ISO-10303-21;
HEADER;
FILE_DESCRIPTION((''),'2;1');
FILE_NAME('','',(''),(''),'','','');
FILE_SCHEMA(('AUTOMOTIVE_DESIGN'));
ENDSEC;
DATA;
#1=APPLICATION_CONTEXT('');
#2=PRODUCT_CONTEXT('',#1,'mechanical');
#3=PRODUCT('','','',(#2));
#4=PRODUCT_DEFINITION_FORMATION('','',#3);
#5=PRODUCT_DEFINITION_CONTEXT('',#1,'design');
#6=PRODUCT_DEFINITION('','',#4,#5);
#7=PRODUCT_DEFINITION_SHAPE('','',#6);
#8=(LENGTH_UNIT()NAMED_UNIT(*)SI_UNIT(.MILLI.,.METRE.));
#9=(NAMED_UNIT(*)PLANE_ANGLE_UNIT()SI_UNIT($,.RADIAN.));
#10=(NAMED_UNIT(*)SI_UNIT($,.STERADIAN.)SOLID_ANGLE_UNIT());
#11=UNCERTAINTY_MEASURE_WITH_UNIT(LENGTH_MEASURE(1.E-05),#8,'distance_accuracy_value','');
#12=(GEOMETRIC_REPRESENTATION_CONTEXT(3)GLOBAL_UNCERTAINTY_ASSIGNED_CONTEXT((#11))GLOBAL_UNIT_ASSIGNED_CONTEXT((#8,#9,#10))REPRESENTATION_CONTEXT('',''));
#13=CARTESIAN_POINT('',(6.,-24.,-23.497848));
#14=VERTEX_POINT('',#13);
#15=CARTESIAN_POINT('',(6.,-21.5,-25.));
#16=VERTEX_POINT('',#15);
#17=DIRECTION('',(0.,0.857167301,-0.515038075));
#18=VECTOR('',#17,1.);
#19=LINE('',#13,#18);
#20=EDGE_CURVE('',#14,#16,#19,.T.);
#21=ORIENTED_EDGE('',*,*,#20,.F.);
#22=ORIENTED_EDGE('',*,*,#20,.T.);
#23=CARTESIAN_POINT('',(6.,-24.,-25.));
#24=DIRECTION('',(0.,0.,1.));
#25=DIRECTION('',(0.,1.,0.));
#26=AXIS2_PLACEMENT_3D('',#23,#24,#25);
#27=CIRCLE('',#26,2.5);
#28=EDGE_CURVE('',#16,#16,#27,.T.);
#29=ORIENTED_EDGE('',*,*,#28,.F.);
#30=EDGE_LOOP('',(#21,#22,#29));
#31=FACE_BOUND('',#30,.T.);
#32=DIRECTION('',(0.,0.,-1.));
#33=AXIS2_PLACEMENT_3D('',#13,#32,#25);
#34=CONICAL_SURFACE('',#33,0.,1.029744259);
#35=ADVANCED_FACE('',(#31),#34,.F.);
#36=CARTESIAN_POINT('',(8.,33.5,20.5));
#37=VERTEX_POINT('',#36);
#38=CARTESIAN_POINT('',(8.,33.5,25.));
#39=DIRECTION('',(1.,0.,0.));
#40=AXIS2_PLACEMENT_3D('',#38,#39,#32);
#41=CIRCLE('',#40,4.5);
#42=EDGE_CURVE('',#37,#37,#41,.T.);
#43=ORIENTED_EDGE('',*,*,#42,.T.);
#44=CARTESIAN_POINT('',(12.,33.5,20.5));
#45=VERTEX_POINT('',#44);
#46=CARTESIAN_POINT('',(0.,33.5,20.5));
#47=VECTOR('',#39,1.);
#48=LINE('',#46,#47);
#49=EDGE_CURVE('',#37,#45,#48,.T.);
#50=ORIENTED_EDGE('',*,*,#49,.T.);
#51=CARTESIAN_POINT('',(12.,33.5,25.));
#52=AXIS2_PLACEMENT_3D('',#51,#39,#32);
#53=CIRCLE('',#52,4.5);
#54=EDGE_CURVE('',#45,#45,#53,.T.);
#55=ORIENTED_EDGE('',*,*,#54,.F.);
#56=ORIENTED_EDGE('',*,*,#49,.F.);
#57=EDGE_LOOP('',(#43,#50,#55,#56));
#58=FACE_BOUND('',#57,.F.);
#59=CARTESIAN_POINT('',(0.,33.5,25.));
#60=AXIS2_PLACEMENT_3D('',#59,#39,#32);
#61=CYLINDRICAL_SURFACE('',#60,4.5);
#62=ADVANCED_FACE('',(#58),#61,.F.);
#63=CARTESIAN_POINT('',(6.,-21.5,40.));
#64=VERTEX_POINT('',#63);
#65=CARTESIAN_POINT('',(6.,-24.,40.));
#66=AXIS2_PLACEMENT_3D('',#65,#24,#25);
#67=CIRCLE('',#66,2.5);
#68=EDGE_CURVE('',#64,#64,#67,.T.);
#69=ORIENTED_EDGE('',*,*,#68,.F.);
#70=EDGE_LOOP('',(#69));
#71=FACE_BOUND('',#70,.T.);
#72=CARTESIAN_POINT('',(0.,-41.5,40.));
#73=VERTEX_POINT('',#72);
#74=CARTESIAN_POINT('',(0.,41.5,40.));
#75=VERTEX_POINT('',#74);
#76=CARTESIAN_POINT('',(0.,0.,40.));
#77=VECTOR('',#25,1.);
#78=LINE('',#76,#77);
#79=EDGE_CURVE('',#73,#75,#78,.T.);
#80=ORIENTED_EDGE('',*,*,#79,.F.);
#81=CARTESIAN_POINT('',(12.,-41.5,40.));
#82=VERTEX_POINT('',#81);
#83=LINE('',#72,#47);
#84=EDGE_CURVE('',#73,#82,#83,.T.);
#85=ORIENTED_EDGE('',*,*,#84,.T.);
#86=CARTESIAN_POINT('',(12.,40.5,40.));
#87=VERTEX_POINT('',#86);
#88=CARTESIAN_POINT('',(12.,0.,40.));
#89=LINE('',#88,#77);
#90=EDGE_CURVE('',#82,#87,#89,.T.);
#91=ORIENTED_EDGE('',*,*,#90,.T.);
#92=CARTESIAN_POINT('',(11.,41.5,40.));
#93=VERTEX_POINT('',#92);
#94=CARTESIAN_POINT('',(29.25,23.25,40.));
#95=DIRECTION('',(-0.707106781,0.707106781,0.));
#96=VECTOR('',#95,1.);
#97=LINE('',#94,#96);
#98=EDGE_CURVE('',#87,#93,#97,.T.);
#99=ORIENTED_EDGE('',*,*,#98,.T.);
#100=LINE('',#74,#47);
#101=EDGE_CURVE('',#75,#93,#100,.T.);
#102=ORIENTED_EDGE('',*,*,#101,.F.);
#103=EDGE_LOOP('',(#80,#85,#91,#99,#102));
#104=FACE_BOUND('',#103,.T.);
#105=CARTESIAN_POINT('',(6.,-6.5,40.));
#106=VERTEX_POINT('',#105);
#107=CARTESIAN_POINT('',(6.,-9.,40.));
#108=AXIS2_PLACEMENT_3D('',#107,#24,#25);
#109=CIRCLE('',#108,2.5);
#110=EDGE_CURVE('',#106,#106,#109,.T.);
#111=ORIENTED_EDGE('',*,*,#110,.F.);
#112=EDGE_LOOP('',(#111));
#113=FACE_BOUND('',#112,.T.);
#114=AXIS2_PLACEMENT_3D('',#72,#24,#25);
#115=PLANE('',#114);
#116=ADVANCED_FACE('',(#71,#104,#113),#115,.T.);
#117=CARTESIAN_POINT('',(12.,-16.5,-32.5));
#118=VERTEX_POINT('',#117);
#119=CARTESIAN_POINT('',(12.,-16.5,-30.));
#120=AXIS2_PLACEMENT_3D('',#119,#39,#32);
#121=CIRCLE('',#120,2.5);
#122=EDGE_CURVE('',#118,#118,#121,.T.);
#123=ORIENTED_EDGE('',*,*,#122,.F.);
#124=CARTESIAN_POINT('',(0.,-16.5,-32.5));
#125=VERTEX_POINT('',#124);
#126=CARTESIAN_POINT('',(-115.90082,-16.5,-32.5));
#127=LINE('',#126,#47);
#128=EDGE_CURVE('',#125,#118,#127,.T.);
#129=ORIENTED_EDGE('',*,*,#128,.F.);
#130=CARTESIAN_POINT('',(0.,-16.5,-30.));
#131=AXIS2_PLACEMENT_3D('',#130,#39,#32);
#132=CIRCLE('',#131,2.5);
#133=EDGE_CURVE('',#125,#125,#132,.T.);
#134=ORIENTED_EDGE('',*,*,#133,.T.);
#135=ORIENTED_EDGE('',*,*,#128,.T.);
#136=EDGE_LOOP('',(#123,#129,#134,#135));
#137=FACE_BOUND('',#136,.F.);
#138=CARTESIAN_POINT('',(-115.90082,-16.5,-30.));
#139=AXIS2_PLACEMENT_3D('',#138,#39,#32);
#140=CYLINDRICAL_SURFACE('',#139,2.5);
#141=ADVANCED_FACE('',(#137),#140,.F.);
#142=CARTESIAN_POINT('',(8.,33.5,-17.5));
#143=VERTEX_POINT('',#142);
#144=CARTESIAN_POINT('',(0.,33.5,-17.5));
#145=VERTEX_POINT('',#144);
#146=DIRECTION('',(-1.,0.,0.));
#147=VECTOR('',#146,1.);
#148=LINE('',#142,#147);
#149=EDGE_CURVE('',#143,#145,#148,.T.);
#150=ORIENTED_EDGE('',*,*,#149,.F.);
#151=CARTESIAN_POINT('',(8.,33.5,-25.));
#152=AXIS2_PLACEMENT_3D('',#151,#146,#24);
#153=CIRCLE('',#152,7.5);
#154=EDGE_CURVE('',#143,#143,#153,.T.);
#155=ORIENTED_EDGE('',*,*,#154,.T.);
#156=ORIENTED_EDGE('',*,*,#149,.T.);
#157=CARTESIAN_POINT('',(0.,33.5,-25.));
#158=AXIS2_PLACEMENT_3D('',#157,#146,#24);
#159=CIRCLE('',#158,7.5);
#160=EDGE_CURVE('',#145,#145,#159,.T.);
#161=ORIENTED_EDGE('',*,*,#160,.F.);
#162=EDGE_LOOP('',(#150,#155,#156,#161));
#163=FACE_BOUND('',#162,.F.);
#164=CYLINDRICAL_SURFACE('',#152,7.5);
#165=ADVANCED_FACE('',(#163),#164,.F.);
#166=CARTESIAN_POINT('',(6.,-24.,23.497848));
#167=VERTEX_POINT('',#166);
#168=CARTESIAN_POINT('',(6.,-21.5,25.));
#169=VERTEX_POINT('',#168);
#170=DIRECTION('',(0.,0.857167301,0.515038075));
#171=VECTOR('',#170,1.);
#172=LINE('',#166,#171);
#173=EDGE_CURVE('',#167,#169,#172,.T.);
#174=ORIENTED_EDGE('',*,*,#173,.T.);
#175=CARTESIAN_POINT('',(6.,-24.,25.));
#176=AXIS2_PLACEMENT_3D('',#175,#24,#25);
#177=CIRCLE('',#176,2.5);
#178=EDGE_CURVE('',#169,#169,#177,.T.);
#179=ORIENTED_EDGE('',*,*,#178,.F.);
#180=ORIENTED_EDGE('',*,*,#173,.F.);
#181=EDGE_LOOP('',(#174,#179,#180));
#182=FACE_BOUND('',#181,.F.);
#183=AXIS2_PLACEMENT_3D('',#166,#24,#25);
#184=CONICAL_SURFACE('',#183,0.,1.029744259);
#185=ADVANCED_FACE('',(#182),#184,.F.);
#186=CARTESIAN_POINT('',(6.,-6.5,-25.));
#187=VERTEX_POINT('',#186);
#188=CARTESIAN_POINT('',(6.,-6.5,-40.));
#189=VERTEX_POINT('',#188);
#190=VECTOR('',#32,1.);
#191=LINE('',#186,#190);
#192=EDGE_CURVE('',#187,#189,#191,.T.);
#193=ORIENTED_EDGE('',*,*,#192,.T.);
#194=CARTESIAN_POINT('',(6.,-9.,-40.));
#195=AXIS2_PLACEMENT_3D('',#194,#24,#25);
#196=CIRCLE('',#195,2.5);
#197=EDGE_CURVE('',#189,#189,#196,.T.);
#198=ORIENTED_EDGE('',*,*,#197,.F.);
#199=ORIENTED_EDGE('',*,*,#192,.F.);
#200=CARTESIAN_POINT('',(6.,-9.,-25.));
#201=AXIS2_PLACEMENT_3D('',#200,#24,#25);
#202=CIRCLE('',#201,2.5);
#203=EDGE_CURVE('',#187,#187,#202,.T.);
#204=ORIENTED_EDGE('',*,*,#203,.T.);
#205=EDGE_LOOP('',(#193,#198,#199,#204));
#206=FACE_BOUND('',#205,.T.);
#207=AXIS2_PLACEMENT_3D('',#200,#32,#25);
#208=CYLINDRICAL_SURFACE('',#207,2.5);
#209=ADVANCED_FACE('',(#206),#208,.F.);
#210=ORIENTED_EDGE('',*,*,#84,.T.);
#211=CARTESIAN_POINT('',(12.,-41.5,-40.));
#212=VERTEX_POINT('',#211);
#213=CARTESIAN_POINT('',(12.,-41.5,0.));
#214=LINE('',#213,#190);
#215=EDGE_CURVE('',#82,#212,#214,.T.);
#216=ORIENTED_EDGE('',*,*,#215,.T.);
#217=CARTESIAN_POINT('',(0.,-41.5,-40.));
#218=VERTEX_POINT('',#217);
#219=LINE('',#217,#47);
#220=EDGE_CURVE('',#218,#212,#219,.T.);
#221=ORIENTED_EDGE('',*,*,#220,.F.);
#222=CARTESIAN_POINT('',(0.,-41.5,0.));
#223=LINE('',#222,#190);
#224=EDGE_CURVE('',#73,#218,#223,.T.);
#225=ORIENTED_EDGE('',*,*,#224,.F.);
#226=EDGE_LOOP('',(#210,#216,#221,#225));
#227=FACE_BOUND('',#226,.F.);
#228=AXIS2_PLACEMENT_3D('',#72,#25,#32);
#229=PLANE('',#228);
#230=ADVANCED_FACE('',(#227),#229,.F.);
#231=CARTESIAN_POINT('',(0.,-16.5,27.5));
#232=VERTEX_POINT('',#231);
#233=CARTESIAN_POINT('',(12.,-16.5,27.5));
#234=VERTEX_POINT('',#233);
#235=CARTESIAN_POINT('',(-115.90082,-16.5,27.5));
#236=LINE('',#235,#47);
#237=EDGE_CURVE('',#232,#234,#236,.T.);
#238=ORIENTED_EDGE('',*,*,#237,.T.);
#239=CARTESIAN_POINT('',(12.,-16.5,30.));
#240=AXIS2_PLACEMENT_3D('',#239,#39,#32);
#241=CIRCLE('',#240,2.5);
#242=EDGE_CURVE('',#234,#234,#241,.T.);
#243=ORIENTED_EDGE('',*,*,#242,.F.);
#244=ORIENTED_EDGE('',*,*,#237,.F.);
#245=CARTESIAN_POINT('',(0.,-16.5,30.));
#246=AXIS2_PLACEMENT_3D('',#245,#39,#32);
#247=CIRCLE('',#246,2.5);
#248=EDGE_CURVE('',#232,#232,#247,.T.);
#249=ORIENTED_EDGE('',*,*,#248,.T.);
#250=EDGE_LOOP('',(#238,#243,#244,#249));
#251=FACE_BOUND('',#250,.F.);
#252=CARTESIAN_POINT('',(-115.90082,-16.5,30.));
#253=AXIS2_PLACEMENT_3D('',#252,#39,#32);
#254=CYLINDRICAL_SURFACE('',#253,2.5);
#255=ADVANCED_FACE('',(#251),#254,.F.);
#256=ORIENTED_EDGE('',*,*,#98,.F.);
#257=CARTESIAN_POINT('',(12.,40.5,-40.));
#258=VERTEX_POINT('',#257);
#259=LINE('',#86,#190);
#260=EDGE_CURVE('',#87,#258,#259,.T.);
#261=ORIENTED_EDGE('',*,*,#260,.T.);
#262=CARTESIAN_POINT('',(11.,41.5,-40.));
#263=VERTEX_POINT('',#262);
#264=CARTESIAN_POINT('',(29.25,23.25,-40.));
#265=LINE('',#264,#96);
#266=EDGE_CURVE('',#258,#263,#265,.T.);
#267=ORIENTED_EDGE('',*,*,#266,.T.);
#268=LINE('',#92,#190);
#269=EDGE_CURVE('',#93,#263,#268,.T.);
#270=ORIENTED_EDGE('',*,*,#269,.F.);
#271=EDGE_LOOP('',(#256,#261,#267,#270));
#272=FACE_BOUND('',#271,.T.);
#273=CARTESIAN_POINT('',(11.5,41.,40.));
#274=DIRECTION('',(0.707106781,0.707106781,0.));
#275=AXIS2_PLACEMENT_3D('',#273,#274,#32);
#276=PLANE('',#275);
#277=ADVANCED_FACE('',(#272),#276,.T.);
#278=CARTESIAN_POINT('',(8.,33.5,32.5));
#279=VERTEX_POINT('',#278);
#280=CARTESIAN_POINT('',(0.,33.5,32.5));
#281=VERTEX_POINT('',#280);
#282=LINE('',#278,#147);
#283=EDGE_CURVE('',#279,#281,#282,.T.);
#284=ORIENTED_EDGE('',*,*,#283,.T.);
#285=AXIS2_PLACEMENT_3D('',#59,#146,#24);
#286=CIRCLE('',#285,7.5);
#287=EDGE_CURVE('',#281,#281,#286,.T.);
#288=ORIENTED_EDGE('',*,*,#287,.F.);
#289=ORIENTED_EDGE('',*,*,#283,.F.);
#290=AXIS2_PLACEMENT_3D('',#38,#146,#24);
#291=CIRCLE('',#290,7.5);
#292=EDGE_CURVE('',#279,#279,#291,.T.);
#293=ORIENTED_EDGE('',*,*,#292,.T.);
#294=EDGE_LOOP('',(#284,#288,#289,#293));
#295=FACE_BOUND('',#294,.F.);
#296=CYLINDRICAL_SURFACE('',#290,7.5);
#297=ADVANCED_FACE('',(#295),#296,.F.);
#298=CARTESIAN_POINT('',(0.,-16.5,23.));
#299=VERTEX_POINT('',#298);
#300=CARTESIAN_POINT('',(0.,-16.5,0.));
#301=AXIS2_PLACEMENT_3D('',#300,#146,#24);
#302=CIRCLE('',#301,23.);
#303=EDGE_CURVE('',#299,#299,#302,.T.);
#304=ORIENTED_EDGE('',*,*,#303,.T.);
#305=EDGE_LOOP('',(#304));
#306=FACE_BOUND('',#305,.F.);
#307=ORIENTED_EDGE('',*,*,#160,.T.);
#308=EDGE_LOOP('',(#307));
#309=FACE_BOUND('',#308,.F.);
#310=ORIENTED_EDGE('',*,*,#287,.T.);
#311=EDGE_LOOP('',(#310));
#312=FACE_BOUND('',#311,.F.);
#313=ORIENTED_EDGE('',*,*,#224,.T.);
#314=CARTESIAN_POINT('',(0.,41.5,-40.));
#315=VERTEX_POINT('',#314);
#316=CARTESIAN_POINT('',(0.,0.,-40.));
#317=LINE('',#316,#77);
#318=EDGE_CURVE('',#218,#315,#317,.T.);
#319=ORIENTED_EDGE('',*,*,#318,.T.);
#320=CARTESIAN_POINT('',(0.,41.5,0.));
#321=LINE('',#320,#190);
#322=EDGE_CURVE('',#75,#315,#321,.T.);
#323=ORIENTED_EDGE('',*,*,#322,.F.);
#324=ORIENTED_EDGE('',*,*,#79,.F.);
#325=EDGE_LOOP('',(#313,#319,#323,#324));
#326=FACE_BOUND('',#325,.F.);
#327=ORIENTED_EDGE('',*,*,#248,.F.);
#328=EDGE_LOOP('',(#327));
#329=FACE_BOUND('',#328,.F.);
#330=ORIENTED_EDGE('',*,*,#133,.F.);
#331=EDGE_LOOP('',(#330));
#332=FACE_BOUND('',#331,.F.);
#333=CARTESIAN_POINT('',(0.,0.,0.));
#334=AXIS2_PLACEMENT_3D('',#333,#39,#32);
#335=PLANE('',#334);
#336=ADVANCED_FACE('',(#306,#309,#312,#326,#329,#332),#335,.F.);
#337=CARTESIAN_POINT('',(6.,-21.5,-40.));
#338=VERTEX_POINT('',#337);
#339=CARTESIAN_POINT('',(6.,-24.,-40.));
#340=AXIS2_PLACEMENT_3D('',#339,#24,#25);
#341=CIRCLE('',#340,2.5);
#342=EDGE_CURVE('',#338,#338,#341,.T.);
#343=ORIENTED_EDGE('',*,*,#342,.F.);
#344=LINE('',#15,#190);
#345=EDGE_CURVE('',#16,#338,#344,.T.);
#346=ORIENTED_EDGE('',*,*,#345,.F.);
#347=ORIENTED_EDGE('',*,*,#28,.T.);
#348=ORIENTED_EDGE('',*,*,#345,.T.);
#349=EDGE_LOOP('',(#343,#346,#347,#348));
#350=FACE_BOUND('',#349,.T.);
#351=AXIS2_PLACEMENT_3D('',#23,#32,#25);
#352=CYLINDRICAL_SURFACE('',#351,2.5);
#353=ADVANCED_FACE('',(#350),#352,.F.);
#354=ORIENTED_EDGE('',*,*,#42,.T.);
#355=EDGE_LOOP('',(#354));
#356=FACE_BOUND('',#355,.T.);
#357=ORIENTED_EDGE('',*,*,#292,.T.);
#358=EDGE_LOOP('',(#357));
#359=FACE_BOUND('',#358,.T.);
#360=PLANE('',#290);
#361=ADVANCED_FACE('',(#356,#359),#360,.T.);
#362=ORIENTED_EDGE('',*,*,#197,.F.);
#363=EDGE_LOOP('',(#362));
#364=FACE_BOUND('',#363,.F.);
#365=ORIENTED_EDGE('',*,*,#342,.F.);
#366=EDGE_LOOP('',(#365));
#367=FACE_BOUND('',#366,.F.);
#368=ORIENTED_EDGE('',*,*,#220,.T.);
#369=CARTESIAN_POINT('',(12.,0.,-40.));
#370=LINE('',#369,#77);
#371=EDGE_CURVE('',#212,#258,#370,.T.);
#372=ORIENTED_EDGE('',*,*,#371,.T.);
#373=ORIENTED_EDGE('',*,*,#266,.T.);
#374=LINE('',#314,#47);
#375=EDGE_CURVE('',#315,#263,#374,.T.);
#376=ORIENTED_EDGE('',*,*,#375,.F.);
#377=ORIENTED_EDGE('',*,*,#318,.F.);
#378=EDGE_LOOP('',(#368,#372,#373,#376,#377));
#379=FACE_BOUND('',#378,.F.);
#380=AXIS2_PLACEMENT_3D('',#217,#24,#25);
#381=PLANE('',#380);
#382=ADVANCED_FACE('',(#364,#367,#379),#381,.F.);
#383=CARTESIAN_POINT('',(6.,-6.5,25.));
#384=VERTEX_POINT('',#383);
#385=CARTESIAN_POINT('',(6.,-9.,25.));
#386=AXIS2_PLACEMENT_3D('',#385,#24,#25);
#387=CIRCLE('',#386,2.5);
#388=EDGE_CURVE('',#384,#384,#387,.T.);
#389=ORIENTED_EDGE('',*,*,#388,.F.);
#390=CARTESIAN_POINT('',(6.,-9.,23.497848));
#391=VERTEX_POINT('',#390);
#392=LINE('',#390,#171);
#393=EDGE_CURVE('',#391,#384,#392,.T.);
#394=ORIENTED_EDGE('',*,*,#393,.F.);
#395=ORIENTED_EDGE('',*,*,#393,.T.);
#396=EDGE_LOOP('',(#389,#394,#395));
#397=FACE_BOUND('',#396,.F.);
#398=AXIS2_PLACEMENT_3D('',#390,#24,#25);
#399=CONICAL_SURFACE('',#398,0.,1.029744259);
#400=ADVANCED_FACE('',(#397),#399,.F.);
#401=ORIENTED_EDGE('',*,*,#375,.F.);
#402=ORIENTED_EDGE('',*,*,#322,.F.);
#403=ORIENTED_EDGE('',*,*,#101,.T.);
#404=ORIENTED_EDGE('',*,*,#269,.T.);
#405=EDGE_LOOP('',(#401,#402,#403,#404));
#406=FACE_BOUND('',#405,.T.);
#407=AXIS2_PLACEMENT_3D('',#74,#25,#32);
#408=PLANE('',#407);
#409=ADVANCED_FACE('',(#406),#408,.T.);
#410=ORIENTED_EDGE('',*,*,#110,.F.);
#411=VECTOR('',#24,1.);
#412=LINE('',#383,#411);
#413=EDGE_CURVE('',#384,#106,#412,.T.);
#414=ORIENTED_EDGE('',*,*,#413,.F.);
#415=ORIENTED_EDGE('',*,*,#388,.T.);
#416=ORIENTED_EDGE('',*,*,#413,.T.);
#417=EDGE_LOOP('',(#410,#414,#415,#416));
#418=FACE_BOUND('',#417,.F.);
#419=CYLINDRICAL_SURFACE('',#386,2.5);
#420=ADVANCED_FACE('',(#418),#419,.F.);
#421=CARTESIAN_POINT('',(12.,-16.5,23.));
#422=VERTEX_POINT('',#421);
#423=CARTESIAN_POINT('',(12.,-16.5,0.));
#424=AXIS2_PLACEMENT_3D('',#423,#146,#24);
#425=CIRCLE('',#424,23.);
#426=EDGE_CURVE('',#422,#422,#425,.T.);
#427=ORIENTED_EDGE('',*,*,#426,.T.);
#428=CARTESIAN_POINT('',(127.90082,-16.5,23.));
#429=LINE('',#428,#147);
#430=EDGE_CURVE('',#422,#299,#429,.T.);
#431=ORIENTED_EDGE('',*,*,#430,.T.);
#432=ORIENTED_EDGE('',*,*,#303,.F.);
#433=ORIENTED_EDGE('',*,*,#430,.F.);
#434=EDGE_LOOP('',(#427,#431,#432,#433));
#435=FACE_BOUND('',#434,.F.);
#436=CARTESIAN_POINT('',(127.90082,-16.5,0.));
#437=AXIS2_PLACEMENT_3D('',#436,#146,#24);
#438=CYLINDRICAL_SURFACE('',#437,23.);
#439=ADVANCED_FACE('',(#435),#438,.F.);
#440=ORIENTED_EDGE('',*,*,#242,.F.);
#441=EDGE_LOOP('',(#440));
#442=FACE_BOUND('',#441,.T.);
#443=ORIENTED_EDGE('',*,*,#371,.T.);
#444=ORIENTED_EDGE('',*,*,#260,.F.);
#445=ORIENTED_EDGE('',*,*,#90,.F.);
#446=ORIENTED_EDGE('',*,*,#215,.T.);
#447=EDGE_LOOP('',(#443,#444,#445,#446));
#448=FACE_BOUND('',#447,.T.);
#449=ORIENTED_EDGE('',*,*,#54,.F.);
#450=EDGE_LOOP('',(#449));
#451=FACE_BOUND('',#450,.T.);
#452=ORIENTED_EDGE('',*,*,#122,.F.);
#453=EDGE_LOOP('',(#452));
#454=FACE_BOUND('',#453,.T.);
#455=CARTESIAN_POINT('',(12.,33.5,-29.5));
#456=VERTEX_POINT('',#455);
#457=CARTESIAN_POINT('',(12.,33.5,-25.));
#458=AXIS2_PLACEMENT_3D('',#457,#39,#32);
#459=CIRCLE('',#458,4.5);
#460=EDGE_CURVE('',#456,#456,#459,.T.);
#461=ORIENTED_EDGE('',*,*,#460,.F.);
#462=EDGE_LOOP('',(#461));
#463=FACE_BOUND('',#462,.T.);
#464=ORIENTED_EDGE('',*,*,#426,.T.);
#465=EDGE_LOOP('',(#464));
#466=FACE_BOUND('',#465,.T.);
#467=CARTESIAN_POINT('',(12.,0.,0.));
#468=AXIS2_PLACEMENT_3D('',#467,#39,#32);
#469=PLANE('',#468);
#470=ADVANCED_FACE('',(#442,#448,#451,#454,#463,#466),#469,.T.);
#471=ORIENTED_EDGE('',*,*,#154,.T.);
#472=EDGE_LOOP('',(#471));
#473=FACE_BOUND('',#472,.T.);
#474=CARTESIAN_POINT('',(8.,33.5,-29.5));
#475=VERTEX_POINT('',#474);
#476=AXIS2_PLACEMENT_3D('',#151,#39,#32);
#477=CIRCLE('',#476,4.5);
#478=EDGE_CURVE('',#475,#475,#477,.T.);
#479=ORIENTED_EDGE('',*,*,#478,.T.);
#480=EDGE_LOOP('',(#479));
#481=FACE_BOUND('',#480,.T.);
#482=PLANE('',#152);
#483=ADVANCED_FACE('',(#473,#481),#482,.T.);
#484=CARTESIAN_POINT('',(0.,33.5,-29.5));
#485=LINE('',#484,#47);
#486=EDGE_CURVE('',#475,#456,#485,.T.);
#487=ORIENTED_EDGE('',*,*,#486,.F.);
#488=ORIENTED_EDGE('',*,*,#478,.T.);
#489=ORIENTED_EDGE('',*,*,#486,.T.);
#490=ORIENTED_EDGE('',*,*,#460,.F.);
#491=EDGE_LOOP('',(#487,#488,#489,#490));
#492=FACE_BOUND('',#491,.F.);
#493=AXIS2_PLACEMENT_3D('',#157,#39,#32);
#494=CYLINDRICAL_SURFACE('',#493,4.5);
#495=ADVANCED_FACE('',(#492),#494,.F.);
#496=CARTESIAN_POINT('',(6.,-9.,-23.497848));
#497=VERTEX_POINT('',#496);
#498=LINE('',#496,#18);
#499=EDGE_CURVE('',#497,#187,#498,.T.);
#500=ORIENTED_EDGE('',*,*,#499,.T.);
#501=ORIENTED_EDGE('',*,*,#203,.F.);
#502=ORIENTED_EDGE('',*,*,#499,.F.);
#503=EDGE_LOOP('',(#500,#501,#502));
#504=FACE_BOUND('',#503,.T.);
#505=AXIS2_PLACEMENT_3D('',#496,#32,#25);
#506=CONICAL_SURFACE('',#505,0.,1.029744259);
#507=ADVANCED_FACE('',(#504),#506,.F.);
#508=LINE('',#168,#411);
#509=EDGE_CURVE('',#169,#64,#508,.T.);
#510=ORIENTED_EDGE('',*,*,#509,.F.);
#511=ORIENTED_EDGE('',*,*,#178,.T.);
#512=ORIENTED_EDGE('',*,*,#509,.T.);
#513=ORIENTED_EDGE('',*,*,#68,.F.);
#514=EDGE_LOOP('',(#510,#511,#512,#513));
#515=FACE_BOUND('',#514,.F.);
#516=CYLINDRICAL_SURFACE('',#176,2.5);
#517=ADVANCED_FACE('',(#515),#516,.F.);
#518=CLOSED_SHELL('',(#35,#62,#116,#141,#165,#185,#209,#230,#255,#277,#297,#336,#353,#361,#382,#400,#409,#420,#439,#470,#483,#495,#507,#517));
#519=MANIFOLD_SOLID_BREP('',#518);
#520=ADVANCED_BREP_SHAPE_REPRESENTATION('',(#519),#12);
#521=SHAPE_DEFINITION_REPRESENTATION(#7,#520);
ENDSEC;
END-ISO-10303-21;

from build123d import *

# Parameters (mm, degrees)
SKETCH_1_W                  = 80
SKETCH_1_H                  = 83
EXTRUDE_1_DEPTH             = 12
HOLE_WIZARD_1_D             = 9
HOLE_WIZARD_1_CBORE_D       = 15
HOLE_WIZARD_1_CBORE_DEPTH   = 8
HOLE_WIZARD_1_2_D           = 46
HOLE_WIZARD_M6_2_D          = 5
HOLE_WIZARD_M6_1_AT_2_COUNT = 2
HOLE_WIZARD_M6_1_AT_2_PITCH = 15
CHAMFER_1_SIZE              = 1


with BuildPart() as part:
    # 草图1 → 凸台-拉伸1 (new body)
    with BuildSketch(Plane(origin=(0, 0, 0), x_dir=(0, 0, -1), z_dir=(1, 0, 0))):
        Rectangle(SKETCH_1_W, SKETCH_1_H)
    extrude(amount=EXTRUDE_1_DEPTH)

    # Hole Wizard 1 (through all)
    with Locations(Plane.ZY):
        with Locations((-25, 33.5), (25, 33.5)):
            CounterBoreHole(HOLE_WIZARD_1_D / 2, HOLE_WIZARD_1_CBORE_D / 2, HOLE_WIZARD_1_CBORE_DEPTH)

    # Hole Wizard 1 2 (through all)
    with Locations(Plane(origin=(12, 0, 0), x_dir=(0, 0, -1), z_dir=(1, 0, 0))):
        with Locations((0, -16.5)):
            Hole(HOLE_WIZARD_1_2_D / 2)

    # M6 螺纹孔2 (through all)
    with Locations(Plane.ZY):
        with Locations((-30, -16.5), (30, -16.5)):
            Hole(HOLE_WIZARD_M6_2_D / 2)

    # 草图8 → M6 螺纹孔1 (revolve, cut)
    with BuildSketch(Plane(origin=(6, -9, -40), x_dir=(0, 1, 0), z_dir=(1, 0, 0))):
        Polygon((0, 0), (0, 16.502151548), (2.5, 15), (2.5, 0), align=None)
    hole_wizard_m6_1 = revolve(axis=Axis((6, -9, -46.35), (0, 0, 1)), mode=Mode.SUBTRACT)

    # M6 螺纹孔1 at 2: M6 螺纹孔1 ×2
    with Locations(*[(0, -i * HOLE_WIZARD_M6_1_AT_2_PITCH, 0) for i in range(1, HOLE_WIZARD_M6_1_AT_2_COUNT)]):
        add(hole_wizard_m6_1, mode=Mode.SUBTRACT)

    # 镜向1: M6 螺纹孔1 across plane
    add(hole_wizard_m6_1.mirror(Plane.XY), mode=Mode.SUBTRACT)

    # 镜向1 copy 1 sketch → 镜向1 copy 1 (revolve, cut)
    with BuildSketch(Plane(origin=(6, -24, 40), x_dir=(0, 1, 0), z_dir=(1, 0, 0))):
        Polygon((0, 0), (0, -16.502151548), (2.5, -15), (2.5, 0), align=None)
    revolve(axis=Axis((6, -24, 46.35), (0, 0, 1)), mode=Mode.SUBTRACT)

    # 倒角1
    chamfer_1_edges = [part.edges().sort_by_distance(p)[0] for p in [
        (12, 41.5, 0),
    ]]
    chamfer(chamfer_1_edges, length=CHAMFER_1_SIZE)


solid = part.part
